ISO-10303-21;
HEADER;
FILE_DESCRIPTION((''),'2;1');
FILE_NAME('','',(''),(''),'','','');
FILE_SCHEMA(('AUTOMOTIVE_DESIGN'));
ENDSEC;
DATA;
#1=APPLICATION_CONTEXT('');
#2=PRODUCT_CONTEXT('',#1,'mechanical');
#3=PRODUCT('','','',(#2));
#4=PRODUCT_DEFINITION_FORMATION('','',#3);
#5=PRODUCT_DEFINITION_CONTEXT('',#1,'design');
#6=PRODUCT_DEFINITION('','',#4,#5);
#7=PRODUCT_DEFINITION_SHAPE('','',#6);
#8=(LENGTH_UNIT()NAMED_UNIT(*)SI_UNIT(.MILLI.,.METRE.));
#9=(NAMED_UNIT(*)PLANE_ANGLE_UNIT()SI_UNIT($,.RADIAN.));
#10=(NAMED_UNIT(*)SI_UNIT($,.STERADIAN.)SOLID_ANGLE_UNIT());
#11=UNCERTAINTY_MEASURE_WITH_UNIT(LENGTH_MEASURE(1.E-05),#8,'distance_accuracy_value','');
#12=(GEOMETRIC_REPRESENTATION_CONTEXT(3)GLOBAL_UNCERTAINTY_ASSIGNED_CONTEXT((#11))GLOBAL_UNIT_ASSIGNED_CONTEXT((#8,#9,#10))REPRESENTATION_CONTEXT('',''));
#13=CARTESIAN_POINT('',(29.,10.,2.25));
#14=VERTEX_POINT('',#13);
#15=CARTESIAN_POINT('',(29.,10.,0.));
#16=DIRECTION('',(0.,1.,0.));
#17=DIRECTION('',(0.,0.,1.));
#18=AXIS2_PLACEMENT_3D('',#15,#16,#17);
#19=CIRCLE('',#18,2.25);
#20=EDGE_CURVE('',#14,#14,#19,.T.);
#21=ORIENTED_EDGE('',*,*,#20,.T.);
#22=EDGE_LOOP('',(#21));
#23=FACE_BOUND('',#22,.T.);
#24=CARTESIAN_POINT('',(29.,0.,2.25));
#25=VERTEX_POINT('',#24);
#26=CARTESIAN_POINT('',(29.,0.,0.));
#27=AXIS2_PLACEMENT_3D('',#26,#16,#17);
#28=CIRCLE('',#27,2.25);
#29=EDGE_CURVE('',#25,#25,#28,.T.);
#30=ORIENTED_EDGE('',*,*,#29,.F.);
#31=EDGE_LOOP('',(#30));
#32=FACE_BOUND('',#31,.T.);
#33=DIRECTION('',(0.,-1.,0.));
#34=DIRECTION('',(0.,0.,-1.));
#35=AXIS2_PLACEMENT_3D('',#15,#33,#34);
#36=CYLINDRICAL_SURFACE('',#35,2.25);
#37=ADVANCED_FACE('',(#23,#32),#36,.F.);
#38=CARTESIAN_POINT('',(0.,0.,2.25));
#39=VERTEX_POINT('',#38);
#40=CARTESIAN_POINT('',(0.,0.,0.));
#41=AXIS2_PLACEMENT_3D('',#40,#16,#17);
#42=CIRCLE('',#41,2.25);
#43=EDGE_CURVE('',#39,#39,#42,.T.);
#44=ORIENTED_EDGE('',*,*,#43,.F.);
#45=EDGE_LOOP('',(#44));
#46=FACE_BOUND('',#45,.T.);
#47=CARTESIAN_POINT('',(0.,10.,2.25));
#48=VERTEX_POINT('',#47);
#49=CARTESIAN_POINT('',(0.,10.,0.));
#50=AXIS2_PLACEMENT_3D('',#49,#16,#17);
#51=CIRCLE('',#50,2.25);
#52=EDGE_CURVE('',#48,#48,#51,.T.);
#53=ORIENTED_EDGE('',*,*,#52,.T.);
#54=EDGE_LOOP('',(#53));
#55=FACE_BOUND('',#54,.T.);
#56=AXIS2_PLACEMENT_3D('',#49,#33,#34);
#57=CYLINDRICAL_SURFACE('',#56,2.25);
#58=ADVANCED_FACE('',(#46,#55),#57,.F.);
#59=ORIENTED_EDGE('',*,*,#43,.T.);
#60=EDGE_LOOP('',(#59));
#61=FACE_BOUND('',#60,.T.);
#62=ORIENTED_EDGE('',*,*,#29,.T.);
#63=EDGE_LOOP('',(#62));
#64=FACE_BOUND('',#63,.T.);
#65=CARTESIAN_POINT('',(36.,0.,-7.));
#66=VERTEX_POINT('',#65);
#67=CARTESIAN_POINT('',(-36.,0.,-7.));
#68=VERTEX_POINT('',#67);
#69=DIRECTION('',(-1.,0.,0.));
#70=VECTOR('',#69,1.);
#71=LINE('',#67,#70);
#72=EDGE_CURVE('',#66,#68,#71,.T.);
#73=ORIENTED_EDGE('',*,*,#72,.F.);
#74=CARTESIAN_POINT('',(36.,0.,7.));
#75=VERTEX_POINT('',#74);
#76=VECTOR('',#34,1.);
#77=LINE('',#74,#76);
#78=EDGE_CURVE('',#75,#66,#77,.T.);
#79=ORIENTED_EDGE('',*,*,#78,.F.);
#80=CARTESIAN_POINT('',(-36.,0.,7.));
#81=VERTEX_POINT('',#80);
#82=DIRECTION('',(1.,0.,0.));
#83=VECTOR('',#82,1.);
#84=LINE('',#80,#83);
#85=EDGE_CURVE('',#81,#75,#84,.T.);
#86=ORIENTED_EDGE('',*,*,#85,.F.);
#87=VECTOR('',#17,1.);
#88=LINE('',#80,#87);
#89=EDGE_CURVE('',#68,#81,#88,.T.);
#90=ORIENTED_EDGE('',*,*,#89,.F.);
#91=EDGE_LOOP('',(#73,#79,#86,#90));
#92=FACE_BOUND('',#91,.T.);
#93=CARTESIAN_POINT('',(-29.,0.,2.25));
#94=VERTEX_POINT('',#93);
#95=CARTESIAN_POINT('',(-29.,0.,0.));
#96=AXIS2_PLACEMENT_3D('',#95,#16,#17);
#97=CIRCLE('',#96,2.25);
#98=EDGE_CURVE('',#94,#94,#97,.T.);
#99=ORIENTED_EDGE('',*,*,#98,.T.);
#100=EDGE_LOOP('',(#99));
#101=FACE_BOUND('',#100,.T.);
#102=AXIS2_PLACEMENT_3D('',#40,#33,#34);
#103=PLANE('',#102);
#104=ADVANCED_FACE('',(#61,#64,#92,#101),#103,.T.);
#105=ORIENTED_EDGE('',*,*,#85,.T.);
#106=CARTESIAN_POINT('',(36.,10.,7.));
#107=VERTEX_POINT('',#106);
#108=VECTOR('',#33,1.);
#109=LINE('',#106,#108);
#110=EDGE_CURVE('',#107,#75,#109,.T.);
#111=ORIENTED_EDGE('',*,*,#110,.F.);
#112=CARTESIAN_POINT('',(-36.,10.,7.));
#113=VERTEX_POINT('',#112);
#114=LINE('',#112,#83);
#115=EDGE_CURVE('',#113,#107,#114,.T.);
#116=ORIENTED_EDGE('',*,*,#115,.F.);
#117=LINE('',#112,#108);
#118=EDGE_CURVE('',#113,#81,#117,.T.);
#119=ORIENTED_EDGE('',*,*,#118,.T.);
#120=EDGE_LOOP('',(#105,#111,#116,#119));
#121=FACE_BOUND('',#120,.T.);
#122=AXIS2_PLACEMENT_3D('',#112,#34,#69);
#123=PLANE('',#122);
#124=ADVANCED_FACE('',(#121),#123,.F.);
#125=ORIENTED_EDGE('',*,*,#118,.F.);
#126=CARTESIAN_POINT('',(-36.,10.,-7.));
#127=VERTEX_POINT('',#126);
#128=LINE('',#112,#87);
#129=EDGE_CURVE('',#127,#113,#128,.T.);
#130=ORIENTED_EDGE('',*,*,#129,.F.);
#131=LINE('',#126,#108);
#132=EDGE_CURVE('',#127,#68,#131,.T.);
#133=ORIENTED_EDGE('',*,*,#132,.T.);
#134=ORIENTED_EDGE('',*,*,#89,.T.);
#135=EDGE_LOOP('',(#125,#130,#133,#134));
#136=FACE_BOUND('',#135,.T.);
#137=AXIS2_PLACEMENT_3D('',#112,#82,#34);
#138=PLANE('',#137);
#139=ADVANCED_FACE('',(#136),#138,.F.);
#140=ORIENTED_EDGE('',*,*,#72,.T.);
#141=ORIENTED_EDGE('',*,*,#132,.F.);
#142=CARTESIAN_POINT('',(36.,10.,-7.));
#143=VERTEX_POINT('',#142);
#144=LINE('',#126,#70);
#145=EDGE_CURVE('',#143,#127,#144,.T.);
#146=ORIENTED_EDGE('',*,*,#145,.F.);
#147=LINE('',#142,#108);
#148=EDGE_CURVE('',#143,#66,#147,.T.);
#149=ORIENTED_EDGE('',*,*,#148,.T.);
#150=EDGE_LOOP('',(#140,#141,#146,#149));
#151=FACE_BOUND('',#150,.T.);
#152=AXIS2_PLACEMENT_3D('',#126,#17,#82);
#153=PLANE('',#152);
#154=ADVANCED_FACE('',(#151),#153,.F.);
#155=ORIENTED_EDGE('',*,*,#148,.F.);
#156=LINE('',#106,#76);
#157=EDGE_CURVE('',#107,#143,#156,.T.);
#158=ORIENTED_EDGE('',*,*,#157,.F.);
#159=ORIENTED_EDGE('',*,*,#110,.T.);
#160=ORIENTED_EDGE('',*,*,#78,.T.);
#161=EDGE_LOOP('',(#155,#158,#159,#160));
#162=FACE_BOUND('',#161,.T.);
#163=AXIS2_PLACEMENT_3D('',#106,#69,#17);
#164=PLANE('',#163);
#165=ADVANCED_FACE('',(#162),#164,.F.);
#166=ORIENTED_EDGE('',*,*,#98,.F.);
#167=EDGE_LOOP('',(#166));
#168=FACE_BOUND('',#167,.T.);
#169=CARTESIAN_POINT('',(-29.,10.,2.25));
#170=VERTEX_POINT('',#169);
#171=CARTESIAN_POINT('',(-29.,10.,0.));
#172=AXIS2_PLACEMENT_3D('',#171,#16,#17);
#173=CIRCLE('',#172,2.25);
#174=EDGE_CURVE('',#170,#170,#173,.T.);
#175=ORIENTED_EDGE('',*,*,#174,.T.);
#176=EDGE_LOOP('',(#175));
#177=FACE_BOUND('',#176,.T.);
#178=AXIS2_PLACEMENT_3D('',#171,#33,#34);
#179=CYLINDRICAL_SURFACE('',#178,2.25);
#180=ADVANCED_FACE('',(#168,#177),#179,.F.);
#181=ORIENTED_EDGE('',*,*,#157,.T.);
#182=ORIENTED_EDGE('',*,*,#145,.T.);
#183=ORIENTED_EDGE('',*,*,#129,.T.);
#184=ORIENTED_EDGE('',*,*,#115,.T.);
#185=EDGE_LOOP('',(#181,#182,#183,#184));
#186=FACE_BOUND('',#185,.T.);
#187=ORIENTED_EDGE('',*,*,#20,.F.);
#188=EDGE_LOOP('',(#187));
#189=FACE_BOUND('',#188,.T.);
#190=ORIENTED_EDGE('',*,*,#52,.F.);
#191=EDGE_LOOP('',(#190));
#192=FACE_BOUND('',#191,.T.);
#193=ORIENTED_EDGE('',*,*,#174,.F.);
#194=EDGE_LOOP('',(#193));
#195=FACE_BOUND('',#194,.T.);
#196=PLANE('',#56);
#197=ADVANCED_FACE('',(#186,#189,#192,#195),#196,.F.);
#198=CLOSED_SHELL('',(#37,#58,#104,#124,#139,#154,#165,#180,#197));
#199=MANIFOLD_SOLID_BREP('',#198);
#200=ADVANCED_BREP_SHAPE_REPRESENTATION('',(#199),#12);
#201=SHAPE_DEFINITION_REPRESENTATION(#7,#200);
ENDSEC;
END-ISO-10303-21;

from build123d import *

# Parameters (mm, degrees)
SKETCH1_W           = 72
SKETCH1_H           = 14
SKETCH1_R           = 2.25
BOSS_EXTRUDE1_DEPTH = 10


with BuildPart() as part:
    # Sketch1 → Boss-Extrude1 (new body)
    with BuildSketch(Plane(origin=(0, 0, 0), x_dir=(1, 0, 0), z_dir=(0, 1, 0))):
        Rectangle(SKETCH1_W, SKETCH1_H)
        with Locations(Location((0, 0, 0), (0, 0, 270))):
            Circle(SKETCH1_R, mode=Mode.SUBTRACT)
        with Locations(Location((-29, 0, 0), (0, 0, 270))):
            Circle(SKETCH1_R, mode=Mode.SUBTRACT)
        with Locations(Location((29, 0, 0), (0, 0, 270))):
            Circle(SKETCH1_R, mode=Mode.SUBTRACT)
    extrude(amount=BOSS_EXTRUDE1_DEPTH)


solid = part.part
